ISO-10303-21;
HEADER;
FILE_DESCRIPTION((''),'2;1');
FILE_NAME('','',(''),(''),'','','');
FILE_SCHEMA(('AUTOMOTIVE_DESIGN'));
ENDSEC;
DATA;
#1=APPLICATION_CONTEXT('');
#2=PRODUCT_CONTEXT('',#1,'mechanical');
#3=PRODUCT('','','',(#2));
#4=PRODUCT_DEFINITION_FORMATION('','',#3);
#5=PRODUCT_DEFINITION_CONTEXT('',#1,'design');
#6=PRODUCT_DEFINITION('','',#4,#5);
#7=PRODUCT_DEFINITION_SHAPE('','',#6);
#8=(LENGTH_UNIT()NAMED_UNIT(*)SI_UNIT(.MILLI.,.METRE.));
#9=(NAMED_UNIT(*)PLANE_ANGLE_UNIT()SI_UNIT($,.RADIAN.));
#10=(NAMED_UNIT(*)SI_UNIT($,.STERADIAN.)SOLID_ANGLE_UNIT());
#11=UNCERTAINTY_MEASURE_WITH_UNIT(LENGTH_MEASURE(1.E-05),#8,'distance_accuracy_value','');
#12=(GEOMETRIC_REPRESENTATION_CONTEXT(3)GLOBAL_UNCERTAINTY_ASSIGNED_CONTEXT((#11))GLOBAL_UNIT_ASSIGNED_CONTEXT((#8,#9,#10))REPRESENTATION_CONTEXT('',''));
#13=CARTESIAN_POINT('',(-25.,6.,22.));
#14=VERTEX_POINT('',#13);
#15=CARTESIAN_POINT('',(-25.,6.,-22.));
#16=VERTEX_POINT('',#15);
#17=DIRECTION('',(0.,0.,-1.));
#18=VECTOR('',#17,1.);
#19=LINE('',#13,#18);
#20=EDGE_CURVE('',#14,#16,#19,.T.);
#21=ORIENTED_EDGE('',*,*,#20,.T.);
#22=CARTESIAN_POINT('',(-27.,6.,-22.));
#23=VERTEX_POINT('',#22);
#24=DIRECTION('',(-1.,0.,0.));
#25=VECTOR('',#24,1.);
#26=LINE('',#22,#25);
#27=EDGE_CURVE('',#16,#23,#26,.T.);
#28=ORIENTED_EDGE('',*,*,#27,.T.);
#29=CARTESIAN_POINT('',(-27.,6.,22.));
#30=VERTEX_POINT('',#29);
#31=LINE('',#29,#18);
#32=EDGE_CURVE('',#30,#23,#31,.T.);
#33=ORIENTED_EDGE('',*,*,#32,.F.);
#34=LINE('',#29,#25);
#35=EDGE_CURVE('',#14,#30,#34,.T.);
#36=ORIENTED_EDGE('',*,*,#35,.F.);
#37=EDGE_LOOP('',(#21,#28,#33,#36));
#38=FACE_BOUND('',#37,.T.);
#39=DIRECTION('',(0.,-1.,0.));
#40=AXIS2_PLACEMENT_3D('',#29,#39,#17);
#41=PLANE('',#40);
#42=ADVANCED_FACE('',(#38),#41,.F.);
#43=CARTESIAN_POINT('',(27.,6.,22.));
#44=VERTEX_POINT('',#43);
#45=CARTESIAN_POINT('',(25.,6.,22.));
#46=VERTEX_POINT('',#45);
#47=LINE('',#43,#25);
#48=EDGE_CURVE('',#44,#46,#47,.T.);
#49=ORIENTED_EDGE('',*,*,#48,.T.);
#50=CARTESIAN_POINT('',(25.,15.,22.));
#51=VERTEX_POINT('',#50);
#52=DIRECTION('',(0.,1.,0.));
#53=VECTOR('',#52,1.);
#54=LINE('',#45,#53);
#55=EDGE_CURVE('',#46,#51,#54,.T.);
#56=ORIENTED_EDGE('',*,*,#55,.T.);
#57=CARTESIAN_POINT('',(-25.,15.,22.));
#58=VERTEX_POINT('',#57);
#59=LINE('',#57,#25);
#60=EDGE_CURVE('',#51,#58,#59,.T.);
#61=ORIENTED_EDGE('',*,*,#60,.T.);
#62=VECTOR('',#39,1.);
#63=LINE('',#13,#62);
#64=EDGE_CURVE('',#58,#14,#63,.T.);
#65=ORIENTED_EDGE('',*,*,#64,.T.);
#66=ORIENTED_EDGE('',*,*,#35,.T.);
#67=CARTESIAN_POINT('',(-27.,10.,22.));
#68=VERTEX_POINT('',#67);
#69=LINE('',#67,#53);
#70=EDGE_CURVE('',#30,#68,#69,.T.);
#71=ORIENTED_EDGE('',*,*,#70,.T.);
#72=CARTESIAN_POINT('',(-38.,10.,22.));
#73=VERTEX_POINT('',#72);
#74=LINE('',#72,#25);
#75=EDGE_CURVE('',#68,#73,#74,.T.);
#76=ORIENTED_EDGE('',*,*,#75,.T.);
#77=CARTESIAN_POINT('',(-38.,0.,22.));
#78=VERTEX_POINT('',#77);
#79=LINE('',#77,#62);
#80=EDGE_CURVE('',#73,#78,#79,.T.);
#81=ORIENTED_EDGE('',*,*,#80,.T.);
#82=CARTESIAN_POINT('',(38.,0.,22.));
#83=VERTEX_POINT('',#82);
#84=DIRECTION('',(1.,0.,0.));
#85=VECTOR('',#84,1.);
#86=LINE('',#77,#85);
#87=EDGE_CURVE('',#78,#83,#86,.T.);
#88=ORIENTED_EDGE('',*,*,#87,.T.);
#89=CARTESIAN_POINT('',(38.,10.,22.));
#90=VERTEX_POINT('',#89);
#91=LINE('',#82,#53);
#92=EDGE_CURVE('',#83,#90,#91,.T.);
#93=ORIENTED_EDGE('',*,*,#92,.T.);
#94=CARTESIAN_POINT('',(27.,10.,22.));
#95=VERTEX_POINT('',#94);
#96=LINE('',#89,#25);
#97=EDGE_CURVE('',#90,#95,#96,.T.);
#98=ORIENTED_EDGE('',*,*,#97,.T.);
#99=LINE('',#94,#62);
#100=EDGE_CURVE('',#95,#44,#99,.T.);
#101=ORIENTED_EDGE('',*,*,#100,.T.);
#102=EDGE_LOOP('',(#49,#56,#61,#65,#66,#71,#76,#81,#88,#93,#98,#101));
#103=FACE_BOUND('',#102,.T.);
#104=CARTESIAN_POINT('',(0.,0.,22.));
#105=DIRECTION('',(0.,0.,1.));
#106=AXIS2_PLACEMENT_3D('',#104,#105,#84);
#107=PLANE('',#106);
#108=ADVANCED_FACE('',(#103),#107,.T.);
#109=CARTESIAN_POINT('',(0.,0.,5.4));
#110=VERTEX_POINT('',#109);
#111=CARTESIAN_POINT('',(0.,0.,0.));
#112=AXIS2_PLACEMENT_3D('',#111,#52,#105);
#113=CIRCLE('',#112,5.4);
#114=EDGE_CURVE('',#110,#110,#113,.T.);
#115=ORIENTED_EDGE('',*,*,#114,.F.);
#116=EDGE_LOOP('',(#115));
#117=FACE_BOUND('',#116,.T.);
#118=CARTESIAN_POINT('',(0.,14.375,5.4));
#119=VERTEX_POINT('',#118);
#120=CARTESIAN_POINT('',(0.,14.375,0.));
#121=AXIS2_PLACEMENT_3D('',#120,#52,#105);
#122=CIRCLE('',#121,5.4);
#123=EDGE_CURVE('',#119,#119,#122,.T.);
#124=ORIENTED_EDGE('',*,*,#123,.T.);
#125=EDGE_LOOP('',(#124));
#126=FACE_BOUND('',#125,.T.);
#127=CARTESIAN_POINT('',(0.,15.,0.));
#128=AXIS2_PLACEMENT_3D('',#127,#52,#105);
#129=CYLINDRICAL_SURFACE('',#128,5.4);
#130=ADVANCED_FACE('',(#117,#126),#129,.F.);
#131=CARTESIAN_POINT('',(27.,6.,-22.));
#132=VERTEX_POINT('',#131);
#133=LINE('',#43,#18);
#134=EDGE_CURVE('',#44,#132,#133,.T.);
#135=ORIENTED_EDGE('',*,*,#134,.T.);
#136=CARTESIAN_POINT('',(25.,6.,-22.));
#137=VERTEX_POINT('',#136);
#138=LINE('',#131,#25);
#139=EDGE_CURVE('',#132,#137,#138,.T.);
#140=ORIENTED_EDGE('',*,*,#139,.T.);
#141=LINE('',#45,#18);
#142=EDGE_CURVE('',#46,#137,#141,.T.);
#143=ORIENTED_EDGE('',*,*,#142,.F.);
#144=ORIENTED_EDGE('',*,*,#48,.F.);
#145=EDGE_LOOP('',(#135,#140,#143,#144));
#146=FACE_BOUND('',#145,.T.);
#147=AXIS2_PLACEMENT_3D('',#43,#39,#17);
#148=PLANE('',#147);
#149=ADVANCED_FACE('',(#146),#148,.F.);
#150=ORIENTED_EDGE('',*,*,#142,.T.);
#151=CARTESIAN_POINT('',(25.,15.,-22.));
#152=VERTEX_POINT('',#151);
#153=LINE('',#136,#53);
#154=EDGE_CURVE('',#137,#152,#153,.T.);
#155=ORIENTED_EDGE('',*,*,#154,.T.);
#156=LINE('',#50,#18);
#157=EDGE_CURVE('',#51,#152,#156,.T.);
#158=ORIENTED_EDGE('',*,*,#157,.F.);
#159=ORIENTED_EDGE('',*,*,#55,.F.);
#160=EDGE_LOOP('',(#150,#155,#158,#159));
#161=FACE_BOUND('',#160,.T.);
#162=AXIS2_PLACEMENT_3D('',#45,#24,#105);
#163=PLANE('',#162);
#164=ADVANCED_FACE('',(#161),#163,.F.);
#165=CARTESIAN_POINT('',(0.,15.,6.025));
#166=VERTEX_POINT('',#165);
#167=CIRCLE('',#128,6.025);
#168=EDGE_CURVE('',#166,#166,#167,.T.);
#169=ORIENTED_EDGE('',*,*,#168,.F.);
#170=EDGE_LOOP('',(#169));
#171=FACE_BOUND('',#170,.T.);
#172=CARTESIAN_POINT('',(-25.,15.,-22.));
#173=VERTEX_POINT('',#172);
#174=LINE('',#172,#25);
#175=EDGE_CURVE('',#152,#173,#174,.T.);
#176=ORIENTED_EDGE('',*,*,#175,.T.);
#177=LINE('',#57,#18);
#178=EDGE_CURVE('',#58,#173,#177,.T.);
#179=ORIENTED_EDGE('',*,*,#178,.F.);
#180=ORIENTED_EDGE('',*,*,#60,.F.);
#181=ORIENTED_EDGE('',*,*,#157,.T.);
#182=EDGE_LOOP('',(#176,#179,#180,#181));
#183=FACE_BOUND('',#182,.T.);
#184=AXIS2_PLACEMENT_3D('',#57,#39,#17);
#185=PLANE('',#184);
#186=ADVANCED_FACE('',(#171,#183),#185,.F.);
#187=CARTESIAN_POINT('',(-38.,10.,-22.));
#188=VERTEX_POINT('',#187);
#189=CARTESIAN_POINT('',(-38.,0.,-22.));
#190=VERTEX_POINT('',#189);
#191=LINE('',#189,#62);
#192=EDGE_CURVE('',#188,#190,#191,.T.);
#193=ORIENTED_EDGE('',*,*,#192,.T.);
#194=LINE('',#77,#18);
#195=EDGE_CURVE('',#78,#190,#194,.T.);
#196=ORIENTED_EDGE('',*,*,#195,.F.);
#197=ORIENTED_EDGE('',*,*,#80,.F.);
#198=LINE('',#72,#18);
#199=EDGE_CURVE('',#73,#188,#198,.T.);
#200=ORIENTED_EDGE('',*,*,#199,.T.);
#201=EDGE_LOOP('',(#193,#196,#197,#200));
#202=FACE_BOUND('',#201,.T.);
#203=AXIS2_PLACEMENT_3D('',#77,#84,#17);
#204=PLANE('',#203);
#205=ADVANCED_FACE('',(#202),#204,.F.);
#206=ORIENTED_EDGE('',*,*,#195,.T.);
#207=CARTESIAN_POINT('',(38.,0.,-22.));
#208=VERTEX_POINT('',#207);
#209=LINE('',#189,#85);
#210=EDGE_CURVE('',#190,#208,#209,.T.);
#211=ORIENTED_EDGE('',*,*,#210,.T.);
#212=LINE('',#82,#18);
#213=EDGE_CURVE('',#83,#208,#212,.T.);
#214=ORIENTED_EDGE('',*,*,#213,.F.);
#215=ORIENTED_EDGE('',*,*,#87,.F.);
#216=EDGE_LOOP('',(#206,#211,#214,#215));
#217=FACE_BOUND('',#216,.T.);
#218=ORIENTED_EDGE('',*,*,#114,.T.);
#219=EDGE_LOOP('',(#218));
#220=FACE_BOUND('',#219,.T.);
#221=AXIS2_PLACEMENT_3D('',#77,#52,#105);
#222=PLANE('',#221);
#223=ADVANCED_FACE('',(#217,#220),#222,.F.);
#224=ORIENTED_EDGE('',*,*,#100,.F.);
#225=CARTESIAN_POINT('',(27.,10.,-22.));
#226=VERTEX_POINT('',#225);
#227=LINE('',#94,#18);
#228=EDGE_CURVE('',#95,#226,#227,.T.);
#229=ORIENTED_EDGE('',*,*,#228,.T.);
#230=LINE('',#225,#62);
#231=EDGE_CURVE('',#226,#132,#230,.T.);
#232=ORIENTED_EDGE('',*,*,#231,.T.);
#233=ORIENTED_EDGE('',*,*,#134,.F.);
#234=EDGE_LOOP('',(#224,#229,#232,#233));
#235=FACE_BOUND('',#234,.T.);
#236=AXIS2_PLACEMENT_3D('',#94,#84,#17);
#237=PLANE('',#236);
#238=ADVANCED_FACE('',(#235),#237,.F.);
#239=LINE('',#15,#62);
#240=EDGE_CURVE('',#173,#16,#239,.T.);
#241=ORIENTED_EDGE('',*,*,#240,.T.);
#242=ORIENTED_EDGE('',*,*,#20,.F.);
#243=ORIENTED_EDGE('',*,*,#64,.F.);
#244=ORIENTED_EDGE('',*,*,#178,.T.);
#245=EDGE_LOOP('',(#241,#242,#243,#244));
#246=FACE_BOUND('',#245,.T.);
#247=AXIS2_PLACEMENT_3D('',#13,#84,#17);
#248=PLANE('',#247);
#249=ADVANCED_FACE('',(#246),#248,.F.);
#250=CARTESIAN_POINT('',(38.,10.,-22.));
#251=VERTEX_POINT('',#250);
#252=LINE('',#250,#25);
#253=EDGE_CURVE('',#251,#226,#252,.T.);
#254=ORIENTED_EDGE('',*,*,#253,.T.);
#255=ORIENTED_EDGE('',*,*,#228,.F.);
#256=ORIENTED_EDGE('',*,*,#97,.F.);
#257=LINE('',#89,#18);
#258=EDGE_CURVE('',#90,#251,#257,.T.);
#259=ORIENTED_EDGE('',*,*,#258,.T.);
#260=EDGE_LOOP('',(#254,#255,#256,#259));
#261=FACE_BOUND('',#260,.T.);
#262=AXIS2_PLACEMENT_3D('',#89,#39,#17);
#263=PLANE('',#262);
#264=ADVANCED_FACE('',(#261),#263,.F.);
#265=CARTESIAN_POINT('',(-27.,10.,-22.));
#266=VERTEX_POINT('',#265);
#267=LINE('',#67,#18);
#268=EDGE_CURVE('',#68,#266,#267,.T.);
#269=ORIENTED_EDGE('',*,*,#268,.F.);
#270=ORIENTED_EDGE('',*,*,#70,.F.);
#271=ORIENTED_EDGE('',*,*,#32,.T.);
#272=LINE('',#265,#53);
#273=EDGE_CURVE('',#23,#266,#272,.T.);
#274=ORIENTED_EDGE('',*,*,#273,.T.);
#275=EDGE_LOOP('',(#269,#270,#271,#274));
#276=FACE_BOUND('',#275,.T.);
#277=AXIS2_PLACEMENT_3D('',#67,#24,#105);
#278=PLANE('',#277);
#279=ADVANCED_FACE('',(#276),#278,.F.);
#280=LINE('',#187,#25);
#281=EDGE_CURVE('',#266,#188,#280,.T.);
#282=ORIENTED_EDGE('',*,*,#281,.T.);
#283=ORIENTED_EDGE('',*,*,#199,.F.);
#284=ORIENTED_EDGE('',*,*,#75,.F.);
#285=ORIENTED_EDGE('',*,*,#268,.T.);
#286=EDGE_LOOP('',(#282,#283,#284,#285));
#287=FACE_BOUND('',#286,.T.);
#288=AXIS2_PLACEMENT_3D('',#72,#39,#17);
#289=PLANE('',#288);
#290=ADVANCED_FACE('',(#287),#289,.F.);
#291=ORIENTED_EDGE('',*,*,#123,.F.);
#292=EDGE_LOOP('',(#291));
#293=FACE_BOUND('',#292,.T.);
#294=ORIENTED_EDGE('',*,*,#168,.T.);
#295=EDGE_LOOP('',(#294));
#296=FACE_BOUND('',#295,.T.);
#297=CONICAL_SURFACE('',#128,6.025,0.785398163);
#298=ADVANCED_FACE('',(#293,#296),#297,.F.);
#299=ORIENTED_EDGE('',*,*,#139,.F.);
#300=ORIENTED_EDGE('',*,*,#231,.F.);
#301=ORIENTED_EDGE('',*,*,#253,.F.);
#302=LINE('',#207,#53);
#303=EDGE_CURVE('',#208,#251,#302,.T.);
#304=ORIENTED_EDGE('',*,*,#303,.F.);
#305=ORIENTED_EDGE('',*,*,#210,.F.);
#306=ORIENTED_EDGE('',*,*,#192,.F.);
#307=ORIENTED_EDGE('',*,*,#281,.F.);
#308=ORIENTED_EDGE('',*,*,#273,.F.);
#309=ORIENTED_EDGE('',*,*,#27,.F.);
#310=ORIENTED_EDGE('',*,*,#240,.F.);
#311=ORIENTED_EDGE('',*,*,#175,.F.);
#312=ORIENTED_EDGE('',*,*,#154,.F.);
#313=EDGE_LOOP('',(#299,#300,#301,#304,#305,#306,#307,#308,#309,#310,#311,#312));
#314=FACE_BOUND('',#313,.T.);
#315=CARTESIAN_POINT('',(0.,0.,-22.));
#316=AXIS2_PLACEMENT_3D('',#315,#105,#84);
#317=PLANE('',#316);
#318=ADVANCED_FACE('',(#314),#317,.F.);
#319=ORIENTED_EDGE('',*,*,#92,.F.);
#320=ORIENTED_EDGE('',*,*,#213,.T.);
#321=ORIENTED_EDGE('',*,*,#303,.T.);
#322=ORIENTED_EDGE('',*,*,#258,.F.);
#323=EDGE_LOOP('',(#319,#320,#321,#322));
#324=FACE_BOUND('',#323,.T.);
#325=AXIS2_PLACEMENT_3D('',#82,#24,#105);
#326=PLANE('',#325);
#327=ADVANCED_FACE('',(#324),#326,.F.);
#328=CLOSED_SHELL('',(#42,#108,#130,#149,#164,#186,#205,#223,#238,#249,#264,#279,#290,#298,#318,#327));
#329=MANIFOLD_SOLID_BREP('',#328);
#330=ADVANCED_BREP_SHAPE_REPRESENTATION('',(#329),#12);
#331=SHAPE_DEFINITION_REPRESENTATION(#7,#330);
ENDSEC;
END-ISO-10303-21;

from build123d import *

# Parameters (mm, degrees)
BOSS_EXTRUDE1_DEPTH               = 22
M12X1_25_TAPPED_HOLE1_D           = 10.8
M12X1_25_TAPPED_HOLE1_CSINK_D     = 12.05
M12X1_25_TAPPED_HOLE1_CSINK_ANGLE = 90


with BuildPart() as part:
    # Sketch1 → Boss-Extrude1 (new, symmetric)
    with BuildSketch(Plane.XY):
        Polygon((-38, 0), (-38, 10), (-27, 10), (-27, 6), (-25, 6), (-25, 15), (25, 15), (25, 6), (27, 6), (27, 10), (38, 10), (38, 0), align=None)
    extrude(amount=BOSS_EXTRUDE1_DEPTH, both=True)

    # M12x1.25 Tapped Hole1 (through all)
    with Locations(Plane(origin=(0, 15, 0), x_dir=(1, 0, 0), z_dir=(0, 1, 0))):
        with Locations((0, 0)):
            CounterSinkHole(M12X1_25_TAPPED_HOLE1_D / 2, M12X1_25_TAPPED_HOLE1_CSINK_D / 2, counter_sink_angle=M12X1_25_TAPPED_HOLE1_CSINK_ANGLE)


solid = part.part
